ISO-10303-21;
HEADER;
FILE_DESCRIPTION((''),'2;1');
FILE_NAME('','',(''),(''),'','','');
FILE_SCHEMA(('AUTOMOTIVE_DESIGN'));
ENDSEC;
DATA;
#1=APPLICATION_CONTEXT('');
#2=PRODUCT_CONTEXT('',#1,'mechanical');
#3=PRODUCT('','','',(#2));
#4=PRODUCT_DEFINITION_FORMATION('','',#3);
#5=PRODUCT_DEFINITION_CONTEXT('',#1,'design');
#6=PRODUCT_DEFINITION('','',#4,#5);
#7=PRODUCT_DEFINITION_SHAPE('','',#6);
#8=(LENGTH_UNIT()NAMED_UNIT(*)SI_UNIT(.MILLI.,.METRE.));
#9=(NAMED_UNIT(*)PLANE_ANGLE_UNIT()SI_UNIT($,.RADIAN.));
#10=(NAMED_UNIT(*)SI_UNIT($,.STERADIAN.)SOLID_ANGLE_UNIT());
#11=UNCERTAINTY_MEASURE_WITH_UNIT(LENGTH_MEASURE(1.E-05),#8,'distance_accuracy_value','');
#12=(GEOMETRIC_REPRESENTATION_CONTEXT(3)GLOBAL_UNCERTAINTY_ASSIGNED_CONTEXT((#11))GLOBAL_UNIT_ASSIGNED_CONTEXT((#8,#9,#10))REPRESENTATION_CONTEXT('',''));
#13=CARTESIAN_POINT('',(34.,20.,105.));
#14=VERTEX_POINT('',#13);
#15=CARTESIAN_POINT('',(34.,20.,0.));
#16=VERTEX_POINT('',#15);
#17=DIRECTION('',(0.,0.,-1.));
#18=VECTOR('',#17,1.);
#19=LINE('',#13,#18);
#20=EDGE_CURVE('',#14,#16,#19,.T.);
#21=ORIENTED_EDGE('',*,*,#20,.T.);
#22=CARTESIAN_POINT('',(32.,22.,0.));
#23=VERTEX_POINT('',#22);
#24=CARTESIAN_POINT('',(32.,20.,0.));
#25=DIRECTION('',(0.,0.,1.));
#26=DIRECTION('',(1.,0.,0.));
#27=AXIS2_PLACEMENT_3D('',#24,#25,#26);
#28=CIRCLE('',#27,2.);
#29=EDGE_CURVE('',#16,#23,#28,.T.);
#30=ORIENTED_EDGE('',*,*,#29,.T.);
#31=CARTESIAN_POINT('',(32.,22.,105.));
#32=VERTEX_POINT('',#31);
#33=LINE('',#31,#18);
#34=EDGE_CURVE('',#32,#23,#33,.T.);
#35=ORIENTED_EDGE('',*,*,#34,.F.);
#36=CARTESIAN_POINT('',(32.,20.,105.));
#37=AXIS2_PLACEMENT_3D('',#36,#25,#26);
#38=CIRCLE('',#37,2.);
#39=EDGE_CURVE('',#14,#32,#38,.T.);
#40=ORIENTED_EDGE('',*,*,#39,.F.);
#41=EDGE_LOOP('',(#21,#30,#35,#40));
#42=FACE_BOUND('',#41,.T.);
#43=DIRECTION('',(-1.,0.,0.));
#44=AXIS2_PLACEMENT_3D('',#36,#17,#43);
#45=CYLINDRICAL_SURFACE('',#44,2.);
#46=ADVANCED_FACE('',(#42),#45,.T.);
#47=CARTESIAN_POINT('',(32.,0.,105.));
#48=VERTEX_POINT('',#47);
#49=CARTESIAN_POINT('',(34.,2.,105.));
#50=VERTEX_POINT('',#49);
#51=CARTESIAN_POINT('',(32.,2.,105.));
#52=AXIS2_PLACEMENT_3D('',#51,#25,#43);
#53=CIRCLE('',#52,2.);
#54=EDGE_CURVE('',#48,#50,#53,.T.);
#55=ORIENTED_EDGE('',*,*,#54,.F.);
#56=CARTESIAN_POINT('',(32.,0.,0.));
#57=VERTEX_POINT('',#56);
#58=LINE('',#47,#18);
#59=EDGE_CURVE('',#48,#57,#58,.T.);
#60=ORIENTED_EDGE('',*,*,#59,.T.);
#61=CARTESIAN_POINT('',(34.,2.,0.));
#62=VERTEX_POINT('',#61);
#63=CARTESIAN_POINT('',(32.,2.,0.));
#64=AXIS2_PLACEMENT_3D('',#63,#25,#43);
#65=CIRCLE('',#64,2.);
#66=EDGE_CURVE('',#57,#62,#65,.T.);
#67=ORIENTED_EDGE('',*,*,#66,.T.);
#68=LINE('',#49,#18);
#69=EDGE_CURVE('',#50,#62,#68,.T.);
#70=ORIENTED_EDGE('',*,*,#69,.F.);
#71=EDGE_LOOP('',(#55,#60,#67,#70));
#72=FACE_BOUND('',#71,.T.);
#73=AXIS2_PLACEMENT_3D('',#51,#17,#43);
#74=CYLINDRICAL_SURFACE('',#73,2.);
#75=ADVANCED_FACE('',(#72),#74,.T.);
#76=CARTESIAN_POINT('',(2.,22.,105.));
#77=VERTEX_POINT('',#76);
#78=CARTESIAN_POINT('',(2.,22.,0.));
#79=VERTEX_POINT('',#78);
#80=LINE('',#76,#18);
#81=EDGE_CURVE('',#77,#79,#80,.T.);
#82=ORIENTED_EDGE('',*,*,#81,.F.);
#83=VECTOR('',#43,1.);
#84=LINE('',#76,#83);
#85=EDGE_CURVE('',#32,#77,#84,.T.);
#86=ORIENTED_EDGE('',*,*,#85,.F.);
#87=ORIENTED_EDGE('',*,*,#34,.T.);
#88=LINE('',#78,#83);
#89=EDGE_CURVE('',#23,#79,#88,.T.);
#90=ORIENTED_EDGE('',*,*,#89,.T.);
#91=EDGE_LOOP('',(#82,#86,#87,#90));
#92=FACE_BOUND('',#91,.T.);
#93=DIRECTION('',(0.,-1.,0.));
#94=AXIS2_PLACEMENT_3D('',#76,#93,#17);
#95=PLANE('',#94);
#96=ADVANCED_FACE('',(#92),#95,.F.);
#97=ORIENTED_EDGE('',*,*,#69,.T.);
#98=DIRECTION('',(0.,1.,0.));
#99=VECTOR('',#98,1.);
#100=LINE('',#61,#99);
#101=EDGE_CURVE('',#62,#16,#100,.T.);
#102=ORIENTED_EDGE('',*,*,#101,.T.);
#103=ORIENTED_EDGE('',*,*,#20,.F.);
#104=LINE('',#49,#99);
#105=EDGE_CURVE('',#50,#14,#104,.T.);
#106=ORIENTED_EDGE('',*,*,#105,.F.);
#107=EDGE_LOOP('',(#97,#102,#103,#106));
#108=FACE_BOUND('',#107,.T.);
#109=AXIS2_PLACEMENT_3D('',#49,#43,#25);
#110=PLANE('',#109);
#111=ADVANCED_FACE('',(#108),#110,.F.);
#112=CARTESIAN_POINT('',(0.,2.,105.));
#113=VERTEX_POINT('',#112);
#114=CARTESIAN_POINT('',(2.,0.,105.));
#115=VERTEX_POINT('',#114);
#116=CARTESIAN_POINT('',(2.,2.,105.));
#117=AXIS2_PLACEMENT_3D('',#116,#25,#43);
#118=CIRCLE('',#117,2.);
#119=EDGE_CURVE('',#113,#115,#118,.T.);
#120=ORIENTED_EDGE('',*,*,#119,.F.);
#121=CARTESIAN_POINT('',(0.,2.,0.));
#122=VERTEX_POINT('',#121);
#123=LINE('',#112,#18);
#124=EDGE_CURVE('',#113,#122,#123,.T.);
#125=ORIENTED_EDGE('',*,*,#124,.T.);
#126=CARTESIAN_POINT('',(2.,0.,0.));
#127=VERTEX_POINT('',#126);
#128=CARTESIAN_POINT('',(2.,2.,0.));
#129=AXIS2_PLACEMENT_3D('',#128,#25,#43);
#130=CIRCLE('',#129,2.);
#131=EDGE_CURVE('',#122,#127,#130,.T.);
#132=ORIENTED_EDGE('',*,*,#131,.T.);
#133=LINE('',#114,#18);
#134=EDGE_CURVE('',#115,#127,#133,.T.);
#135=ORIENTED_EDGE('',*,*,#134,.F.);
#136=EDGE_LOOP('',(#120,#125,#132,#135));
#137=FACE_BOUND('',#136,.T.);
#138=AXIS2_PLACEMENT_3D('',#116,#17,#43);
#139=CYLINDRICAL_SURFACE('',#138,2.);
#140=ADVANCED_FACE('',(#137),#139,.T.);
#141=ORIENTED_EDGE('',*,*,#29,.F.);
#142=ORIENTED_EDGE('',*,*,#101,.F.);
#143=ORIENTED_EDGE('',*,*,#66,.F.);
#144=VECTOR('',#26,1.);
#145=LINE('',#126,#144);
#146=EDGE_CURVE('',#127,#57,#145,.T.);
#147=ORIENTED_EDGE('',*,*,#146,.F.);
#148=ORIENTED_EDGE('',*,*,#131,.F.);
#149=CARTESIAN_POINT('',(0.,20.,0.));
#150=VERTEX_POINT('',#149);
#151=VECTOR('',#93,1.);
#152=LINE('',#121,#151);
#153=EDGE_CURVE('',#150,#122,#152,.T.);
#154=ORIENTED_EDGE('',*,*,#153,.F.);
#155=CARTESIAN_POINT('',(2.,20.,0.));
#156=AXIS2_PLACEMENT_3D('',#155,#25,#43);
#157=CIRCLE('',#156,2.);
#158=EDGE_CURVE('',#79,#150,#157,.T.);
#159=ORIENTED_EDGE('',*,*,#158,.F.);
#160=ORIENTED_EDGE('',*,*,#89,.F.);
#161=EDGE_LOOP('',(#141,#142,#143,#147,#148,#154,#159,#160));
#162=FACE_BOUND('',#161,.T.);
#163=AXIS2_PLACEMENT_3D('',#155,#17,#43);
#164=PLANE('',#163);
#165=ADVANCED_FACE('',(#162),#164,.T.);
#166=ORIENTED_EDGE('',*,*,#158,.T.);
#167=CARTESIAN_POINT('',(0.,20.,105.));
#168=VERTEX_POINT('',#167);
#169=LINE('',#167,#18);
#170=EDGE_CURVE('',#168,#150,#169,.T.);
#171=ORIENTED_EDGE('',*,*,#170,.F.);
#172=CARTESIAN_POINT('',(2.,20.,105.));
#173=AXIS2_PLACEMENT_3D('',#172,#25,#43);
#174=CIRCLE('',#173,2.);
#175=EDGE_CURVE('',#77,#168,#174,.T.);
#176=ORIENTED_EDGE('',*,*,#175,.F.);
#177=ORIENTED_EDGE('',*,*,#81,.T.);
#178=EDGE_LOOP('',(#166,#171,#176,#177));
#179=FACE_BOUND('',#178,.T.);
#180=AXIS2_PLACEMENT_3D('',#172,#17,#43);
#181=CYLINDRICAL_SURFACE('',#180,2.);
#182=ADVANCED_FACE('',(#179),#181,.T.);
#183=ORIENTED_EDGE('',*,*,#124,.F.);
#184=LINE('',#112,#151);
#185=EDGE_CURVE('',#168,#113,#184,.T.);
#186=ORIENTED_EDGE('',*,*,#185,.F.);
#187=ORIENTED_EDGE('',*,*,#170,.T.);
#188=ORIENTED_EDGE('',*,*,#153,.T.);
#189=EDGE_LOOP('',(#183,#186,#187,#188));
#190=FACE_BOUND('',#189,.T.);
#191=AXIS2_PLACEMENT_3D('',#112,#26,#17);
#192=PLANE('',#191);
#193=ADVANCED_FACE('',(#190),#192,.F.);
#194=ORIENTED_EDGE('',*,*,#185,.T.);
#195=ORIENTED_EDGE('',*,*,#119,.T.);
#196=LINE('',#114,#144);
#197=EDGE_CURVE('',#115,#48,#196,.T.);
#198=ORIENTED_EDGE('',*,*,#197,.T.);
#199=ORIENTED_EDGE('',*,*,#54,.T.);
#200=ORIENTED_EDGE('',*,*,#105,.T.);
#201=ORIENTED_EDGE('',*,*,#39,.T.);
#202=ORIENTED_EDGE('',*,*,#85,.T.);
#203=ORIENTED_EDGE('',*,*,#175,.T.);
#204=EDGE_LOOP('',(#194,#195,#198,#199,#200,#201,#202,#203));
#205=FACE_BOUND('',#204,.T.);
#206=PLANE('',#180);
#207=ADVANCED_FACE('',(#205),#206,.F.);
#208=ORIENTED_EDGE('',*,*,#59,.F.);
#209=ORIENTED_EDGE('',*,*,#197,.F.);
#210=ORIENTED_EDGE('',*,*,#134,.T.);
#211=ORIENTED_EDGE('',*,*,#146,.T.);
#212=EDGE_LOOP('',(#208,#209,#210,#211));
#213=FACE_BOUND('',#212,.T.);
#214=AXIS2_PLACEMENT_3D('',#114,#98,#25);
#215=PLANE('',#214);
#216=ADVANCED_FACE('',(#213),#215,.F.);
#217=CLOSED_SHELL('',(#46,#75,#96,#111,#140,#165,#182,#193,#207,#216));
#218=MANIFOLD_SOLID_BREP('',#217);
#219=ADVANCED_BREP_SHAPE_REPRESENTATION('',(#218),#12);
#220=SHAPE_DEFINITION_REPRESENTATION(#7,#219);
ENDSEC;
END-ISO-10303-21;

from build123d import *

# Parameters (mm, degrees)
BOSS_EXTRUDE1_DEPTH = 105


with BuildPart() as part:
    # Sketch1 → Boss-Extrude1 (new body)
    with BuildSketch(Plane.XY):
        with BuildLine():
            Line((2, 0), (32, 0))
            ThreePointArc((32, 0), (33.414213562, 0.585786438), (34, 2))
            Line((34, 2), (34, 20))
            ThreePointArc((34, 20), (33.414213562, 21.414213562), (32, 22))
            Line((32, 22), (2, 22))
            ThreePointArc((2, 22), (0.585786438, 21.414213562), (0, 20))
            Line((0, 20), (0, 2))
            ThreePointArc((0, 2), (0.585786438, 0.585786438), (2, 0))
        make_face()
    extrude(amount=BOSS_EXTRUDE1_DEPTH)


solid = part.part
